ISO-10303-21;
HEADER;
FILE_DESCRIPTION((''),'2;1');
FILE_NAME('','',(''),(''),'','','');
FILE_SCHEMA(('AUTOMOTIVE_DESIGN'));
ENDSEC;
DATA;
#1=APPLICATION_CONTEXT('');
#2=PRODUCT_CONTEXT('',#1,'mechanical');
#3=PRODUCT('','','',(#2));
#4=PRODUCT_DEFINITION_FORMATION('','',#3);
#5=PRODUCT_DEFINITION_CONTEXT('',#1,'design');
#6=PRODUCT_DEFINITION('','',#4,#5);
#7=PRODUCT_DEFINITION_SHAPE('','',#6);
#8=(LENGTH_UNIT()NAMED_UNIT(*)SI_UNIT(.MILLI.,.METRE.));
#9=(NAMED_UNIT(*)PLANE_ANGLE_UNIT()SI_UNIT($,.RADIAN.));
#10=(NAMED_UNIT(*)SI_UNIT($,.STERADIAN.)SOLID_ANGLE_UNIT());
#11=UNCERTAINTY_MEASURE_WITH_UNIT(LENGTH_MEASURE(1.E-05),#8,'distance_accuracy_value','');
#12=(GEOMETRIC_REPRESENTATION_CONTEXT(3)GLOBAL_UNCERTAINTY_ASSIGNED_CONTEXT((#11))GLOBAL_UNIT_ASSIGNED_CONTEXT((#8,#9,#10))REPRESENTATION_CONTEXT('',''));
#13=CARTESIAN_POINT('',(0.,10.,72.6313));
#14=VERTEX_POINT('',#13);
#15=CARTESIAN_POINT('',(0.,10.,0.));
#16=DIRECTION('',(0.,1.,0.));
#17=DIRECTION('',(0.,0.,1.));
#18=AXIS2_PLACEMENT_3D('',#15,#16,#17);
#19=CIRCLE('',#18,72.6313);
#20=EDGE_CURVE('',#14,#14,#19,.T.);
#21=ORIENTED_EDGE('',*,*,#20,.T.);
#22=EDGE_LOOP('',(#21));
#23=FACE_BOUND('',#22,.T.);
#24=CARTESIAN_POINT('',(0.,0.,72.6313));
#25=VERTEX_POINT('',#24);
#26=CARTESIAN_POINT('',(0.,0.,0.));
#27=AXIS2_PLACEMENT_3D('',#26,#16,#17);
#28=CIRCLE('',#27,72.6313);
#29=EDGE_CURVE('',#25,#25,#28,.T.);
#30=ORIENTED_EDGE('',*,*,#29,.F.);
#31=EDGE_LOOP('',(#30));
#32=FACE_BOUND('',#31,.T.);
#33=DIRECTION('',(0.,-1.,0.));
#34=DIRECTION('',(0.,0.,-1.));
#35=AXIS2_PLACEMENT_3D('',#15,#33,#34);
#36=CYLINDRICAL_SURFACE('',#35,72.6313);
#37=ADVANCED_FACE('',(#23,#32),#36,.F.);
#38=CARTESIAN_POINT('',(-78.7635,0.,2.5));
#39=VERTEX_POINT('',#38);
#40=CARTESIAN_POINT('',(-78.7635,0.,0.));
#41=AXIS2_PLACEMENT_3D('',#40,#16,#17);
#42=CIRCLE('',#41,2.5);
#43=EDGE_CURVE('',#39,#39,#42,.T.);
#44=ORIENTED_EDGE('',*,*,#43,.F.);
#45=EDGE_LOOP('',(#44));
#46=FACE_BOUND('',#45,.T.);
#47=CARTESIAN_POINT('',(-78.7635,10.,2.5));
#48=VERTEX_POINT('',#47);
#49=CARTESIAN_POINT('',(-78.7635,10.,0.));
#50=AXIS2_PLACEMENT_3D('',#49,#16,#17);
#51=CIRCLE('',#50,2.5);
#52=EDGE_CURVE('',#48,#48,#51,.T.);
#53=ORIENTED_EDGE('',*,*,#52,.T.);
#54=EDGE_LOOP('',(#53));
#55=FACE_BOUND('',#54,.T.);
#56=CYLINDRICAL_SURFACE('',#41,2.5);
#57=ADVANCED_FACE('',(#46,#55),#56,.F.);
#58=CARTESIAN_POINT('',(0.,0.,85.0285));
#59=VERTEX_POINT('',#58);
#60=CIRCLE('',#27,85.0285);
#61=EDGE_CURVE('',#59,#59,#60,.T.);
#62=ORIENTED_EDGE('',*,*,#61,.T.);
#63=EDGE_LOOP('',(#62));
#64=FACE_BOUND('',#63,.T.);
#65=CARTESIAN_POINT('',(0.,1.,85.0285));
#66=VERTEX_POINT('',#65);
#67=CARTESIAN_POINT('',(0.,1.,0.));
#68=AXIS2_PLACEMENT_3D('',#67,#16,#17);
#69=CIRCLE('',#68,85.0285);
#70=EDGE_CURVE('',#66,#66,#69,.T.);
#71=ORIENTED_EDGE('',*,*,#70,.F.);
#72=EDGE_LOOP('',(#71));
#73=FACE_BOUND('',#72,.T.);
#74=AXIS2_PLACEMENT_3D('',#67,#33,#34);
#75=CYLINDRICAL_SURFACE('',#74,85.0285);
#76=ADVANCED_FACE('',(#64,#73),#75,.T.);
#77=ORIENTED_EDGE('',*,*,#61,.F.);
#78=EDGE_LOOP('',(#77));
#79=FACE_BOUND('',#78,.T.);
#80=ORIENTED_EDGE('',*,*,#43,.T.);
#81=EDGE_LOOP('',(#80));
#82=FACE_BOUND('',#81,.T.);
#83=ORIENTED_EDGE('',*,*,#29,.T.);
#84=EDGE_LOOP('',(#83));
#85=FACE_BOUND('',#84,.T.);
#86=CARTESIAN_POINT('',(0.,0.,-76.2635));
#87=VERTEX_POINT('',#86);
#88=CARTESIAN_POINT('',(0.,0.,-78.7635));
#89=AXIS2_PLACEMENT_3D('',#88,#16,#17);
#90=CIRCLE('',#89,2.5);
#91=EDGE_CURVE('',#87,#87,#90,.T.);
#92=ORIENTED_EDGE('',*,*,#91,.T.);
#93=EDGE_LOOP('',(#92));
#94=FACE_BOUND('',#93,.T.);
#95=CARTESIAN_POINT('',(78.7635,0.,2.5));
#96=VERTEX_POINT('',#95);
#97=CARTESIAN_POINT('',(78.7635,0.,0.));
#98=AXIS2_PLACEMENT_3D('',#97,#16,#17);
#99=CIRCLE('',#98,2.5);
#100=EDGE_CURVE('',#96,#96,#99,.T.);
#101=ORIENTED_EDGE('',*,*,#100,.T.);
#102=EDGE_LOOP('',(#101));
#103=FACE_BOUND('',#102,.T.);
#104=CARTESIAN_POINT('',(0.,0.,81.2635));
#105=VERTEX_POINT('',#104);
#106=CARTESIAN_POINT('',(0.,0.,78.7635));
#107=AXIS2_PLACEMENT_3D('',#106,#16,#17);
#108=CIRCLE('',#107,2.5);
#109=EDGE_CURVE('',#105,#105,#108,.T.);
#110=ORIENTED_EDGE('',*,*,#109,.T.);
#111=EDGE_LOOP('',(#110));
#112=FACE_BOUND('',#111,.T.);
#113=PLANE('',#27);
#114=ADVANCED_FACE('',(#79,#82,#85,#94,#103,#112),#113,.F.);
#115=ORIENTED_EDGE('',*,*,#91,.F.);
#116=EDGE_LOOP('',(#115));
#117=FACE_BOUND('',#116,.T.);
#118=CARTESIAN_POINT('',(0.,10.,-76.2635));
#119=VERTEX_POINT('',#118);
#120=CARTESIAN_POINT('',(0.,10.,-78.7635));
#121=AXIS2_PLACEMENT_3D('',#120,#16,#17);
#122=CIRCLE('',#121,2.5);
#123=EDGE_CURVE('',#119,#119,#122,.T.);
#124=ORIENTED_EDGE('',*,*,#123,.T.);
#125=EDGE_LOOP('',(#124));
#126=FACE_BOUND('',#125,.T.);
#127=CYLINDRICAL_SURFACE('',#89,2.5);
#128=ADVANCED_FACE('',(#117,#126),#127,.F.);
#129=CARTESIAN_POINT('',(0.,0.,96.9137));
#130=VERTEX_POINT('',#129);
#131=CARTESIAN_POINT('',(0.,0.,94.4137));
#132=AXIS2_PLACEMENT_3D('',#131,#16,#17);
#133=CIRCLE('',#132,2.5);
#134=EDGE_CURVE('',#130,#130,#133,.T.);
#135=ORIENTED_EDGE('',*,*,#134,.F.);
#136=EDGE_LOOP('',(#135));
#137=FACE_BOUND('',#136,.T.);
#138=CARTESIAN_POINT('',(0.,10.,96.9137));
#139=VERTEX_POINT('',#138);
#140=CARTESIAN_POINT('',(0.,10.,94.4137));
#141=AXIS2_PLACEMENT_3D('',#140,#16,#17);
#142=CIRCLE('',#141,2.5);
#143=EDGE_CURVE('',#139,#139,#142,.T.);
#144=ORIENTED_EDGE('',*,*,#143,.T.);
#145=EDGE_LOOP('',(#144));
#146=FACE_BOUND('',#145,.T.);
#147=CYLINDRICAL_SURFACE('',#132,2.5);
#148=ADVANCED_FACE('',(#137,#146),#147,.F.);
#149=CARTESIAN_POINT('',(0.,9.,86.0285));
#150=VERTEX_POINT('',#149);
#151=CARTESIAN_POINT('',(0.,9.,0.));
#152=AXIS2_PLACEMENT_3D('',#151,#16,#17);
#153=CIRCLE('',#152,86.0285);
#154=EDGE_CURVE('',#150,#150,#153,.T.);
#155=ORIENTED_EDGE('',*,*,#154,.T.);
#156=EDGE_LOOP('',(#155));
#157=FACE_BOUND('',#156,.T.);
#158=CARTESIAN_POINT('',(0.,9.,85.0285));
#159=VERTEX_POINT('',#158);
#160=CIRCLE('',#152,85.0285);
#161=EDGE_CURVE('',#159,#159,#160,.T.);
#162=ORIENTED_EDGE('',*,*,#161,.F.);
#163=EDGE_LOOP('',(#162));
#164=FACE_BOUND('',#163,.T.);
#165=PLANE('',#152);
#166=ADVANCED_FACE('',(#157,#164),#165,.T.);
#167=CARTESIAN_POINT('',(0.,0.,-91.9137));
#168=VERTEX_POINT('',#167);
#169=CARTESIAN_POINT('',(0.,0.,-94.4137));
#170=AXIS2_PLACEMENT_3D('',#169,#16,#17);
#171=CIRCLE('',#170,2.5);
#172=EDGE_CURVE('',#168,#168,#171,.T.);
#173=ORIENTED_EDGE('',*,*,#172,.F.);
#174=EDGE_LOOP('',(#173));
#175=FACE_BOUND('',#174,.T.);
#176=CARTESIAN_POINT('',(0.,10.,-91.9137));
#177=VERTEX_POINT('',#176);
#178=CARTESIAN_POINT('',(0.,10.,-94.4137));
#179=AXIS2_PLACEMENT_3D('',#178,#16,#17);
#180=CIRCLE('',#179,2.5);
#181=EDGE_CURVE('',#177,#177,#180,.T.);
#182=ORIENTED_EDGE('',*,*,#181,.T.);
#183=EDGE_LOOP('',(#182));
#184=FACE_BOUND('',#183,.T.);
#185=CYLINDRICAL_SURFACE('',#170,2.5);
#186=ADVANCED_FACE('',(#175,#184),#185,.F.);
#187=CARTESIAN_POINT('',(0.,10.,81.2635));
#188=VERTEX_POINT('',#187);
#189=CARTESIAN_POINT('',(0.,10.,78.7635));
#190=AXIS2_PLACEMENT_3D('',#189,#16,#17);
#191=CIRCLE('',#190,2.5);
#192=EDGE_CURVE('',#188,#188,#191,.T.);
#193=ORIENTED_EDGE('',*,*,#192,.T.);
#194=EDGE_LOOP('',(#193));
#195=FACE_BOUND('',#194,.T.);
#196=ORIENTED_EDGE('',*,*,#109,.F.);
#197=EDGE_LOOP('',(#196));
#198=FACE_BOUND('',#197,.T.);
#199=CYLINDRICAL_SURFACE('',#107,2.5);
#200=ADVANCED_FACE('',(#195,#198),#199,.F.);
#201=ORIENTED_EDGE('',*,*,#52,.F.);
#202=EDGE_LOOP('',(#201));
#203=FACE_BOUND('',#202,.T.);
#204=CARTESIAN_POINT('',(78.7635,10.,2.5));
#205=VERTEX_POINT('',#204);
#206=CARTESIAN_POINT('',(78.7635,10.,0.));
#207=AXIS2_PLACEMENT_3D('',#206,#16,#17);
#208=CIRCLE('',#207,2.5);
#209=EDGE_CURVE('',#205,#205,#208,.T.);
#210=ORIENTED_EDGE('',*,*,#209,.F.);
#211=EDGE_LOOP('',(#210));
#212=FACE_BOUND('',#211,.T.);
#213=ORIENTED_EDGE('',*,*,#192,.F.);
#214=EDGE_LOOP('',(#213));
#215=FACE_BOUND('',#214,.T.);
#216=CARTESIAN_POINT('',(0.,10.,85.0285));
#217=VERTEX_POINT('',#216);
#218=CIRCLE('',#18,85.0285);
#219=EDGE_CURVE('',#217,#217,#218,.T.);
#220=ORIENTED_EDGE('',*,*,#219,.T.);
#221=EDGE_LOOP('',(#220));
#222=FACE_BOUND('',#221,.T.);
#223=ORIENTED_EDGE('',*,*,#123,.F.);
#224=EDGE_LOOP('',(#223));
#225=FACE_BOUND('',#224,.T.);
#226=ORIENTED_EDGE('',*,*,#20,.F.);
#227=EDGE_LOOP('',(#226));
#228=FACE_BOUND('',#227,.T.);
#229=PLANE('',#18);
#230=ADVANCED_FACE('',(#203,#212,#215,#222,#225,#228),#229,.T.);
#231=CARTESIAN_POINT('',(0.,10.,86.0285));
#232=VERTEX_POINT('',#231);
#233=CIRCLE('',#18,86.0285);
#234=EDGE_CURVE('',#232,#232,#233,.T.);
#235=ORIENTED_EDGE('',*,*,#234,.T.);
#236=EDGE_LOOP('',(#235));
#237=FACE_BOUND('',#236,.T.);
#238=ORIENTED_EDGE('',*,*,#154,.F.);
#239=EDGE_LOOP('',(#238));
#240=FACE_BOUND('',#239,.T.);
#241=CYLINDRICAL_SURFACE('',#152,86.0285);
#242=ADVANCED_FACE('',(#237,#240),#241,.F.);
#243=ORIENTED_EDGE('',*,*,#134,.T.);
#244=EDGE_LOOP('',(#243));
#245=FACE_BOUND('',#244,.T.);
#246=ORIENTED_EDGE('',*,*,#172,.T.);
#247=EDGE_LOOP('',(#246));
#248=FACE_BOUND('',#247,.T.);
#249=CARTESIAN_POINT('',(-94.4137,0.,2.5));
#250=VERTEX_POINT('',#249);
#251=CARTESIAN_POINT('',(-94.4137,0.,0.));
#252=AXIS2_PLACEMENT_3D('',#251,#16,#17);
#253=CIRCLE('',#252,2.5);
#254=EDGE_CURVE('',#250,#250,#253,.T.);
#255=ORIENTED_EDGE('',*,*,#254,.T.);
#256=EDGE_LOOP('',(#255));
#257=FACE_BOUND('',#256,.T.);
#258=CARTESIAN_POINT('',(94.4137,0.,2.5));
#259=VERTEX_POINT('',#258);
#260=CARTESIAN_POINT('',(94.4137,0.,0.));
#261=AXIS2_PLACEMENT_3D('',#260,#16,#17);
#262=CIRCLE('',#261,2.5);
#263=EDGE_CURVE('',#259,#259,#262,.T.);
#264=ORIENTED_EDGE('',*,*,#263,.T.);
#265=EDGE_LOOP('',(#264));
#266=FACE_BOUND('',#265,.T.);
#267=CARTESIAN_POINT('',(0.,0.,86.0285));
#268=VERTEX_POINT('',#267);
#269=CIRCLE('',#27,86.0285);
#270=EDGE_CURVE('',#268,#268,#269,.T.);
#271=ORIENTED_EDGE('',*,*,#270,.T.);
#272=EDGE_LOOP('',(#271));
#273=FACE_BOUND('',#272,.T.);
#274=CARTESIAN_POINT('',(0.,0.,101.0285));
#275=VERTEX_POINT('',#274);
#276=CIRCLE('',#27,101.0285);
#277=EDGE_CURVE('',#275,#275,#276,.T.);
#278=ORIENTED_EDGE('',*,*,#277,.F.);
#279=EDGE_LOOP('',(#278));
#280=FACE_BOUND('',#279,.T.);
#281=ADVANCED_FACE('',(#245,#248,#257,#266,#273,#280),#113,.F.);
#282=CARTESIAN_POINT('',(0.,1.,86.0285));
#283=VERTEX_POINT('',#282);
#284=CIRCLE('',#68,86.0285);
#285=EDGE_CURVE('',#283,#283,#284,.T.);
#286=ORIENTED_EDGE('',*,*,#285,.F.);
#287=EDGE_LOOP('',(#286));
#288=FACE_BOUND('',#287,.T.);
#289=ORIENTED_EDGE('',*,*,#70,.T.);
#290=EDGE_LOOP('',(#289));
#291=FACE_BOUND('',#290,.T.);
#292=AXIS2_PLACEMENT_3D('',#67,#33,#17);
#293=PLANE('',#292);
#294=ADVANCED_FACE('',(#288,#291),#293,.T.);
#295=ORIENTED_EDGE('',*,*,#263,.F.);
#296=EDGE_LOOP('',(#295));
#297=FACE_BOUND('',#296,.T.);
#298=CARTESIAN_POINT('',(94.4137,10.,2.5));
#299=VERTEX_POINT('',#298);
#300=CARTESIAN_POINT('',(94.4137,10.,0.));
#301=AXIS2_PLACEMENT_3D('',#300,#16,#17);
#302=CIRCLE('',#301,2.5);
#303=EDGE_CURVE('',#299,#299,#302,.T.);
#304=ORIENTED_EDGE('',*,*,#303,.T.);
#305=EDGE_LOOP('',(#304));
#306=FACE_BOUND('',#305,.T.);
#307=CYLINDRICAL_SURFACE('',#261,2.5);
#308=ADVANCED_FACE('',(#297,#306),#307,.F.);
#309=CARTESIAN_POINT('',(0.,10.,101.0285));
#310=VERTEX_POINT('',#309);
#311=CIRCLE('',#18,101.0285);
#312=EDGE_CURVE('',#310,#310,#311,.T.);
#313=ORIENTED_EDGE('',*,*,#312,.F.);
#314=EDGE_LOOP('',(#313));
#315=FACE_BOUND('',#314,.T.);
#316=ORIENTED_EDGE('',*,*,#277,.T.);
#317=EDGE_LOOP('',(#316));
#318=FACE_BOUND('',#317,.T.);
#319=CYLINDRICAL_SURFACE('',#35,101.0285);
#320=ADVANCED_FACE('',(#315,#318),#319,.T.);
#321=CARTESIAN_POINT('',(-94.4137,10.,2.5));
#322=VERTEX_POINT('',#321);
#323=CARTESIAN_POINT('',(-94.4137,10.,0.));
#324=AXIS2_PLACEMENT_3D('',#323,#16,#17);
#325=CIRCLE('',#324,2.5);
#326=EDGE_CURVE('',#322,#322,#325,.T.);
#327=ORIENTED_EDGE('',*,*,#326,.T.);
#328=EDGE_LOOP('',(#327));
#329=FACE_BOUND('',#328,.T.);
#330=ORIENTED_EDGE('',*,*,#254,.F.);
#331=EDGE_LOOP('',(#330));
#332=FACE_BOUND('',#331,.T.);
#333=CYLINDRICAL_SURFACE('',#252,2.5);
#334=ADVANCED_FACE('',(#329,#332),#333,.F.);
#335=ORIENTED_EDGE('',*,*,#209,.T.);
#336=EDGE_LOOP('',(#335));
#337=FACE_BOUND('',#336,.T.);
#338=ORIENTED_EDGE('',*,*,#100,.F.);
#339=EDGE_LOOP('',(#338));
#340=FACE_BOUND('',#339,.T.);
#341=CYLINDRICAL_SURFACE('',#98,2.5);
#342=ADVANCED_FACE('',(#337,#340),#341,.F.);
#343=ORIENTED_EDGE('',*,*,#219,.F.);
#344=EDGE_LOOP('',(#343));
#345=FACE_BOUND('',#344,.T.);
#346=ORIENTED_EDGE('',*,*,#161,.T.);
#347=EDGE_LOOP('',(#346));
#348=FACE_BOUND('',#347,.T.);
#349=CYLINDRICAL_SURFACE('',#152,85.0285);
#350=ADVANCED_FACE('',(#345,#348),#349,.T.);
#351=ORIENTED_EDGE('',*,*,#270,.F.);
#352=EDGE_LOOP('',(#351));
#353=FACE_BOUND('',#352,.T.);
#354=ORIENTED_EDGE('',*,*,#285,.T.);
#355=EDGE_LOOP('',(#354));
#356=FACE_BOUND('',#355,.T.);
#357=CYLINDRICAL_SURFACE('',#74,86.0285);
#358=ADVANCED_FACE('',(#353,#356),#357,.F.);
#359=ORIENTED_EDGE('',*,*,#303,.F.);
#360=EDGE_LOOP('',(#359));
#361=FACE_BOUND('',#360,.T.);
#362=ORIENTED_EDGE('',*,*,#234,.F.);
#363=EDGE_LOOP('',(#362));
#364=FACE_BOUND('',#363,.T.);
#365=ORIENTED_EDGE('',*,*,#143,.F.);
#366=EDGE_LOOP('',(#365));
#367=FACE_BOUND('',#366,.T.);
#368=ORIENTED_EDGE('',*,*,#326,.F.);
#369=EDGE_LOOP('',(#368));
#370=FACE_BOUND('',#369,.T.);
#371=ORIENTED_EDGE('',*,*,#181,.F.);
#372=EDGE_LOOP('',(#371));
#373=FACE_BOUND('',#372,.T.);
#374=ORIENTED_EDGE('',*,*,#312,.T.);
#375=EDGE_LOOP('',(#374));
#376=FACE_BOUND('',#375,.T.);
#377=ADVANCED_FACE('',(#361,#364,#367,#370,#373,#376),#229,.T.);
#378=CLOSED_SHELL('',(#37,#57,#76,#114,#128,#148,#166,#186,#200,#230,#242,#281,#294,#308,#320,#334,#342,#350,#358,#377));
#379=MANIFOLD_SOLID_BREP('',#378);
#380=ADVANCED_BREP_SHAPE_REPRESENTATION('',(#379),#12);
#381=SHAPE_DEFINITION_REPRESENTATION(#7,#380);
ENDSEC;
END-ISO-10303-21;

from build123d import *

# Parameters (mm, degrees)
SKETCH1_R           = 101.0285
SKETCH1_R_2         = 72.6313
BOSS_EXTRUDE1_DEPTH = 10
SKETCH2_R           = 2.5
CUT_EXTRUDE1_DEPTH  = 11
SKETCH3_R           = 86.0285
SKETCH3_R_2         = 85.0285
CUT_EXTRUDE2_DEPTH  = 1


with BuildPart() as part:
    # Sketch1 → Boss-Extrude1 (new body)
    with BuildSketch(Plane(origin=(0, 0, 0), x_dir=(1, 0, 0), z_dir=(0, 1, 0))):
        Circle(SKETCH1_R)
        Circle(SKETCH1_R_2, mode=Mode.SUBTRACT)
    extrude(amount=BOSS_EXTRUDE1_DEPTH)

    # Sketch2 → Cut-Extrude1 (cut, through all)
    with BuildSketch(Plane(origin=(0, 10, 0), x_dir=(1, 0, 0), z_dir=(0, 1, 0))):
        with Locations((-94.4137, 0)):
            Circle(SKETCH2_R)
        with Locations((-78.7635, 0)):
            Circle(SKETCH2_R)
        with Locations((0, 78.7635)):
            Circle(SKETCH2_R)
        with Locations((0, 94.4137)):
            Circle(SKETCH2_R)
        with Locations((78.7635, 0)):
            Circle(SKETCH2_R)
        with Locations((94.4137, 0)):
            Circle(SKETCH2_R)
        with Locations((0, -78.7635)):
            Circle(SKETCH2_R)
        with Locations((0, -94.4137)):
            Circle(SKETCH2_R)
    extrude(amount=-CUT_EXTRUDE1_DEPTH, mode=Mode.SUBTRACT)

    # Sketch3 → Cut-Extrude2 (cut)
    with BuildSketch(Plane(origin=(0, 10, 0), x_dir=(1, 0, 0), z_dir=(0, 1, 0))):
        Circle(SKETCH3_R)
        Circle(SKETCH3_R_2, mode=Mode.SUBTRACT)
    cut_extrude2 = extrude(amount=-CUT_EXTRUDE2_DEPTH, mode=Mode.SUBTRACT)

    # Mirror1: Cut-Extrude2 across plane
    add(cut_extrude2.mirror(Plane.ZX.offset(5)), mode=Mode.SUBTRACT)


solid = part.part
